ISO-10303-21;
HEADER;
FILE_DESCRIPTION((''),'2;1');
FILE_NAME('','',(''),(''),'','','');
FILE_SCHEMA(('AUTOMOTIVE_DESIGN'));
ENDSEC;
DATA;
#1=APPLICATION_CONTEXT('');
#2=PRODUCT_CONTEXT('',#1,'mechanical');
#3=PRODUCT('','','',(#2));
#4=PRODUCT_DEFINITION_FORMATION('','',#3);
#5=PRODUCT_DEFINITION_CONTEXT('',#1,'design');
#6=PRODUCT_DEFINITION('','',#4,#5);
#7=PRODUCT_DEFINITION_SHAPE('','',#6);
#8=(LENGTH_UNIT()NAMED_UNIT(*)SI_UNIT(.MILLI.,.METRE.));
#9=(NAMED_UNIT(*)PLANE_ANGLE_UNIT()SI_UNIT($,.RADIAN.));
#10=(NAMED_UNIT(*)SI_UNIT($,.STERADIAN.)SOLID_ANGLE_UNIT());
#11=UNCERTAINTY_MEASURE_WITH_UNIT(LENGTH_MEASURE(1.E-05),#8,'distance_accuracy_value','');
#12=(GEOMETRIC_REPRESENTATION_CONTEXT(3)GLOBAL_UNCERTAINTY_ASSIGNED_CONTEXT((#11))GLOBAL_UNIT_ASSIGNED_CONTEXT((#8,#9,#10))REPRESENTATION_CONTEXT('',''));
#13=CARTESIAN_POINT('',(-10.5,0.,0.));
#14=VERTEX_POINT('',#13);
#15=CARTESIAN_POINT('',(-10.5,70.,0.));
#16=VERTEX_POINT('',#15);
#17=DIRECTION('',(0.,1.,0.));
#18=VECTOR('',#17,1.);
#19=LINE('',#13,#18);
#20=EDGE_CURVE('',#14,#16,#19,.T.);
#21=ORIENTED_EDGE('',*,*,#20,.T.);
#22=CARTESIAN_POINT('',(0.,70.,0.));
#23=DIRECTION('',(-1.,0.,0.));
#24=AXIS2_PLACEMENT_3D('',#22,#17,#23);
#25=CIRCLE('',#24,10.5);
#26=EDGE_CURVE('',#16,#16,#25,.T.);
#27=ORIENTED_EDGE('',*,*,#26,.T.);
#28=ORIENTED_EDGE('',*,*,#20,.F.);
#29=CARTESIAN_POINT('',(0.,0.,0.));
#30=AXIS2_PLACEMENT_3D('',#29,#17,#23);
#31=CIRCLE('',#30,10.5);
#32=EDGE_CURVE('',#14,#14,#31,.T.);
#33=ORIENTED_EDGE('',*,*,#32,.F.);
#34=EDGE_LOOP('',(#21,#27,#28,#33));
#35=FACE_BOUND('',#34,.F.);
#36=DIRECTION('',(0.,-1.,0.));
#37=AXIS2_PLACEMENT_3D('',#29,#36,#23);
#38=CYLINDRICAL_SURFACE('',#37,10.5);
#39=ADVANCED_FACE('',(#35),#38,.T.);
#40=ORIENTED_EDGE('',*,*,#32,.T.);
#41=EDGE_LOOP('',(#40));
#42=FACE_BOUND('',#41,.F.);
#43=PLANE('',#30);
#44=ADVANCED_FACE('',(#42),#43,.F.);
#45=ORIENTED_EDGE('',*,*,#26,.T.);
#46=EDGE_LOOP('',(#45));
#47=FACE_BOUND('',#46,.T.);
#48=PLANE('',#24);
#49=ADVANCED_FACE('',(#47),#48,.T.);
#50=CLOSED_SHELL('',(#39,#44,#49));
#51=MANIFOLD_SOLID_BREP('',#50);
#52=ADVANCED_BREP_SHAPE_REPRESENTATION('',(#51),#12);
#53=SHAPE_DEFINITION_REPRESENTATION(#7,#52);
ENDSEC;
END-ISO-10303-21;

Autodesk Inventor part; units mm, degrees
ref_plane "YZ Plane" through (0, 0, 0) normal (1, 0, 0) x (0, 1, 0)
ref_plane "XZ Plane" through (0, 0, 0) normal (0, 1, 0) x (-1, 0, 0)
ref_plane "XY Plane" through (0, 0, 0) normal (0, 0, 1) x (1, 0, 0)
sketch "Sketch1" plane through (0, 0, 0) normal (0, 1, 0) x (-1, 0, 0)
  circle A0 centre (0, 0) radius 10.5
  dimension "d0" = 21
extrude "Extrusion1" add sketch "Sketch1" along normal blind 70
properties part number "21700"
